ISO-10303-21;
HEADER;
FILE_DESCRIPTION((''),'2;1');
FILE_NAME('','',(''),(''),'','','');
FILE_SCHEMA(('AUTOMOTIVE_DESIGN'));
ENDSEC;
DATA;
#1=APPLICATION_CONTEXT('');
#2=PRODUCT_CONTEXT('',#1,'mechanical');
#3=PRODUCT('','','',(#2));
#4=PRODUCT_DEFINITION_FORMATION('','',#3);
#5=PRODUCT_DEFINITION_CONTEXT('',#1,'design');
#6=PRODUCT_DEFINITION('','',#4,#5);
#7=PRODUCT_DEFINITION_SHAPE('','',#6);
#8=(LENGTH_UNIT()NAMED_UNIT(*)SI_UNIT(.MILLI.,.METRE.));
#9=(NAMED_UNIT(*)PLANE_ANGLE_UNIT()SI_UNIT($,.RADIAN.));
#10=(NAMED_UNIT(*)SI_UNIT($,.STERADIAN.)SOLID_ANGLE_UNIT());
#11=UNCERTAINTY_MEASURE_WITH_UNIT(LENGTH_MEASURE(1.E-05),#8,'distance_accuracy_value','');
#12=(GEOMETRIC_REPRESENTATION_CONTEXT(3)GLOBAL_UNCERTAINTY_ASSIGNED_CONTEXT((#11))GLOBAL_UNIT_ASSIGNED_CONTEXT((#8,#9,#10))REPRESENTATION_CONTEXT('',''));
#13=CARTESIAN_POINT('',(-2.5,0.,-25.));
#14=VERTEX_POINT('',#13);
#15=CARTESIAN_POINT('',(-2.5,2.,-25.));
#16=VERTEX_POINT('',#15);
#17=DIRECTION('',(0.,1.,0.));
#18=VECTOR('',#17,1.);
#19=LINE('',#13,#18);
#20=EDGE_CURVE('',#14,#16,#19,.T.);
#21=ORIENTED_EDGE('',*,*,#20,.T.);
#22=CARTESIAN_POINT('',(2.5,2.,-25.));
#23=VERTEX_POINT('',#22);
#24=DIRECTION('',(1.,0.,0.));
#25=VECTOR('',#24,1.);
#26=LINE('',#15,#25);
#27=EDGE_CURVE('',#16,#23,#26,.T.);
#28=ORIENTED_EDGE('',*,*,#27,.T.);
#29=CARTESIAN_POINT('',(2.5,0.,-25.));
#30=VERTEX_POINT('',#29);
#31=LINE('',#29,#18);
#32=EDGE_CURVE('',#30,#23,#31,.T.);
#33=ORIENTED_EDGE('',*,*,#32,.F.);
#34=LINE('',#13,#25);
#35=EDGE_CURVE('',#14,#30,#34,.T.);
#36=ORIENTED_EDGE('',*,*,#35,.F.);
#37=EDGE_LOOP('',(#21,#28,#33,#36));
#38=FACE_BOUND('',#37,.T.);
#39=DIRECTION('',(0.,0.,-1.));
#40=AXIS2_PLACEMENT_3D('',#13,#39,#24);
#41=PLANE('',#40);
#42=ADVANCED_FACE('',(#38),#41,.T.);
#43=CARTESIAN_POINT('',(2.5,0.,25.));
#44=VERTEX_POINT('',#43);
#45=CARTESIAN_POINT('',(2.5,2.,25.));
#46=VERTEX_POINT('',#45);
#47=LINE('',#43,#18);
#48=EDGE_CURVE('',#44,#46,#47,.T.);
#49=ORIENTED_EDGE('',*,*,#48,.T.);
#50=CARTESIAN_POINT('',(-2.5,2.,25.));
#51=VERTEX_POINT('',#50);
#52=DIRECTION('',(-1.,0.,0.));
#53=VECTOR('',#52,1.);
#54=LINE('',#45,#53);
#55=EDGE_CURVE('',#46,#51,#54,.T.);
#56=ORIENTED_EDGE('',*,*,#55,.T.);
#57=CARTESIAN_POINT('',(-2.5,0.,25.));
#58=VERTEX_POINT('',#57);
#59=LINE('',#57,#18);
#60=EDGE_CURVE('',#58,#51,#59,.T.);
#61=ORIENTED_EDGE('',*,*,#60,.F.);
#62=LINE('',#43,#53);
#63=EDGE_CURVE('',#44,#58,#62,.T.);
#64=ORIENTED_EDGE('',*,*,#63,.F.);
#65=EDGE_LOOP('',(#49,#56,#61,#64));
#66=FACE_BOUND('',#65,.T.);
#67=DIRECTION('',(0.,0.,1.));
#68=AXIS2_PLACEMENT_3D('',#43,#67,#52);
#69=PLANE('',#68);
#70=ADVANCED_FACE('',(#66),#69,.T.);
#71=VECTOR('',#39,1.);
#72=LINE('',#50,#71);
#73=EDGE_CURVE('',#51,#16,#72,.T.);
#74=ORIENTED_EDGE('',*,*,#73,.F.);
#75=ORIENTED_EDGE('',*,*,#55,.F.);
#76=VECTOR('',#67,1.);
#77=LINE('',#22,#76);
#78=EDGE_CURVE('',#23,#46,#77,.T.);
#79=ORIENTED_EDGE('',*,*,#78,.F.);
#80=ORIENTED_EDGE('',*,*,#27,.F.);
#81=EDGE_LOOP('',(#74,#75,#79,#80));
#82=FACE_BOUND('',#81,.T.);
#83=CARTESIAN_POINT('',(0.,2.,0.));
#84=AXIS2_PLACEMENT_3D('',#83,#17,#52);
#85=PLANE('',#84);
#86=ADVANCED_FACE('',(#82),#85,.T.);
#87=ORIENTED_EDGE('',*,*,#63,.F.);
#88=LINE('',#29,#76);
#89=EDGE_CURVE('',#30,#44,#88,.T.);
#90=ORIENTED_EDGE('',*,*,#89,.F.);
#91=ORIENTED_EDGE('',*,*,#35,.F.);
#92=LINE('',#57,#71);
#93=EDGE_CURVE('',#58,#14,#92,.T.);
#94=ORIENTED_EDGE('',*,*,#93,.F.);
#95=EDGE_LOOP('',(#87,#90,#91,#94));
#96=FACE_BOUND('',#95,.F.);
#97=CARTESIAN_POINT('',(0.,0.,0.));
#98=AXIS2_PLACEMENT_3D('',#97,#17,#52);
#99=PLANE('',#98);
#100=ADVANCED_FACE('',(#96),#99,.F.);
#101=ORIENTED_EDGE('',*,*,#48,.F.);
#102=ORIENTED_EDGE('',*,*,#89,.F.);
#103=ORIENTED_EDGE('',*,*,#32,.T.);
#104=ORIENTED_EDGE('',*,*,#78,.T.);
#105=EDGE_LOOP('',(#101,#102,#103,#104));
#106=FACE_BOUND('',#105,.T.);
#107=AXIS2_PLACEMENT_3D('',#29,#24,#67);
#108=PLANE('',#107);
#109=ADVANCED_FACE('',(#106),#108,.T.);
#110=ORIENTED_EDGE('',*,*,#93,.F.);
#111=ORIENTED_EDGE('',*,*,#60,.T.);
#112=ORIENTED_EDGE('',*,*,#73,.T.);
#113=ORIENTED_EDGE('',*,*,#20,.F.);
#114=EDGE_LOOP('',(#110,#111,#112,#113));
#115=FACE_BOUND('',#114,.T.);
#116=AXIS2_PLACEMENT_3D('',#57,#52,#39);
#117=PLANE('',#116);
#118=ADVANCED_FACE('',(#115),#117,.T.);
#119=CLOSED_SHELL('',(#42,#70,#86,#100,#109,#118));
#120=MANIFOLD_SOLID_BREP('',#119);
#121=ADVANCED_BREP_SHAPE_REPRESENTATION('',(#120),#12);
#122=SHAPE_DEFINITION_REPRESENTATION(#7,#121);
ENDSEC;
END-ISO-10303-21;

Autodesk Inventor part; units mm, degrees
ref_plane "YZ Plane" through (0, 0, 0) normal (1, 0, 0) x (0, 1, 0)
ref_plane "XZ Plane" through (0, 0, 0) normal (0, 1, 0) x (-1, 0, 0)
ref_plane "XY Plane" through (0, 0, 0) normal (0, 0, 1) x (1, 0, 0)
sketch "Эскиз1" plane through (0, 0, 0) normal (0, 1, 0) x (-1, 0, 0)
  line L0 (-2.5, 25) -> (2.5, 25)
  line L1 (2.5, 25) -> (2.5, -25)
  line L2 (2.5, -25) -> (-2.5, -25)
  line L3 (-2.5, -25) -> (-2.5, 25)
  line L4 (-2.5, 25) -> (2.5, -25) construction
  line L5 (2.5, 25) -> (-2.5, -25) construction
  point P0 (0, 0)
  dimension "d0" = 5
  dimension "d1" = 50
extrude "Выдавливание1" add sketch "Эскиз1" along normal blind 2
properties part number "АКБ Балка" material "Пластик АБС"
